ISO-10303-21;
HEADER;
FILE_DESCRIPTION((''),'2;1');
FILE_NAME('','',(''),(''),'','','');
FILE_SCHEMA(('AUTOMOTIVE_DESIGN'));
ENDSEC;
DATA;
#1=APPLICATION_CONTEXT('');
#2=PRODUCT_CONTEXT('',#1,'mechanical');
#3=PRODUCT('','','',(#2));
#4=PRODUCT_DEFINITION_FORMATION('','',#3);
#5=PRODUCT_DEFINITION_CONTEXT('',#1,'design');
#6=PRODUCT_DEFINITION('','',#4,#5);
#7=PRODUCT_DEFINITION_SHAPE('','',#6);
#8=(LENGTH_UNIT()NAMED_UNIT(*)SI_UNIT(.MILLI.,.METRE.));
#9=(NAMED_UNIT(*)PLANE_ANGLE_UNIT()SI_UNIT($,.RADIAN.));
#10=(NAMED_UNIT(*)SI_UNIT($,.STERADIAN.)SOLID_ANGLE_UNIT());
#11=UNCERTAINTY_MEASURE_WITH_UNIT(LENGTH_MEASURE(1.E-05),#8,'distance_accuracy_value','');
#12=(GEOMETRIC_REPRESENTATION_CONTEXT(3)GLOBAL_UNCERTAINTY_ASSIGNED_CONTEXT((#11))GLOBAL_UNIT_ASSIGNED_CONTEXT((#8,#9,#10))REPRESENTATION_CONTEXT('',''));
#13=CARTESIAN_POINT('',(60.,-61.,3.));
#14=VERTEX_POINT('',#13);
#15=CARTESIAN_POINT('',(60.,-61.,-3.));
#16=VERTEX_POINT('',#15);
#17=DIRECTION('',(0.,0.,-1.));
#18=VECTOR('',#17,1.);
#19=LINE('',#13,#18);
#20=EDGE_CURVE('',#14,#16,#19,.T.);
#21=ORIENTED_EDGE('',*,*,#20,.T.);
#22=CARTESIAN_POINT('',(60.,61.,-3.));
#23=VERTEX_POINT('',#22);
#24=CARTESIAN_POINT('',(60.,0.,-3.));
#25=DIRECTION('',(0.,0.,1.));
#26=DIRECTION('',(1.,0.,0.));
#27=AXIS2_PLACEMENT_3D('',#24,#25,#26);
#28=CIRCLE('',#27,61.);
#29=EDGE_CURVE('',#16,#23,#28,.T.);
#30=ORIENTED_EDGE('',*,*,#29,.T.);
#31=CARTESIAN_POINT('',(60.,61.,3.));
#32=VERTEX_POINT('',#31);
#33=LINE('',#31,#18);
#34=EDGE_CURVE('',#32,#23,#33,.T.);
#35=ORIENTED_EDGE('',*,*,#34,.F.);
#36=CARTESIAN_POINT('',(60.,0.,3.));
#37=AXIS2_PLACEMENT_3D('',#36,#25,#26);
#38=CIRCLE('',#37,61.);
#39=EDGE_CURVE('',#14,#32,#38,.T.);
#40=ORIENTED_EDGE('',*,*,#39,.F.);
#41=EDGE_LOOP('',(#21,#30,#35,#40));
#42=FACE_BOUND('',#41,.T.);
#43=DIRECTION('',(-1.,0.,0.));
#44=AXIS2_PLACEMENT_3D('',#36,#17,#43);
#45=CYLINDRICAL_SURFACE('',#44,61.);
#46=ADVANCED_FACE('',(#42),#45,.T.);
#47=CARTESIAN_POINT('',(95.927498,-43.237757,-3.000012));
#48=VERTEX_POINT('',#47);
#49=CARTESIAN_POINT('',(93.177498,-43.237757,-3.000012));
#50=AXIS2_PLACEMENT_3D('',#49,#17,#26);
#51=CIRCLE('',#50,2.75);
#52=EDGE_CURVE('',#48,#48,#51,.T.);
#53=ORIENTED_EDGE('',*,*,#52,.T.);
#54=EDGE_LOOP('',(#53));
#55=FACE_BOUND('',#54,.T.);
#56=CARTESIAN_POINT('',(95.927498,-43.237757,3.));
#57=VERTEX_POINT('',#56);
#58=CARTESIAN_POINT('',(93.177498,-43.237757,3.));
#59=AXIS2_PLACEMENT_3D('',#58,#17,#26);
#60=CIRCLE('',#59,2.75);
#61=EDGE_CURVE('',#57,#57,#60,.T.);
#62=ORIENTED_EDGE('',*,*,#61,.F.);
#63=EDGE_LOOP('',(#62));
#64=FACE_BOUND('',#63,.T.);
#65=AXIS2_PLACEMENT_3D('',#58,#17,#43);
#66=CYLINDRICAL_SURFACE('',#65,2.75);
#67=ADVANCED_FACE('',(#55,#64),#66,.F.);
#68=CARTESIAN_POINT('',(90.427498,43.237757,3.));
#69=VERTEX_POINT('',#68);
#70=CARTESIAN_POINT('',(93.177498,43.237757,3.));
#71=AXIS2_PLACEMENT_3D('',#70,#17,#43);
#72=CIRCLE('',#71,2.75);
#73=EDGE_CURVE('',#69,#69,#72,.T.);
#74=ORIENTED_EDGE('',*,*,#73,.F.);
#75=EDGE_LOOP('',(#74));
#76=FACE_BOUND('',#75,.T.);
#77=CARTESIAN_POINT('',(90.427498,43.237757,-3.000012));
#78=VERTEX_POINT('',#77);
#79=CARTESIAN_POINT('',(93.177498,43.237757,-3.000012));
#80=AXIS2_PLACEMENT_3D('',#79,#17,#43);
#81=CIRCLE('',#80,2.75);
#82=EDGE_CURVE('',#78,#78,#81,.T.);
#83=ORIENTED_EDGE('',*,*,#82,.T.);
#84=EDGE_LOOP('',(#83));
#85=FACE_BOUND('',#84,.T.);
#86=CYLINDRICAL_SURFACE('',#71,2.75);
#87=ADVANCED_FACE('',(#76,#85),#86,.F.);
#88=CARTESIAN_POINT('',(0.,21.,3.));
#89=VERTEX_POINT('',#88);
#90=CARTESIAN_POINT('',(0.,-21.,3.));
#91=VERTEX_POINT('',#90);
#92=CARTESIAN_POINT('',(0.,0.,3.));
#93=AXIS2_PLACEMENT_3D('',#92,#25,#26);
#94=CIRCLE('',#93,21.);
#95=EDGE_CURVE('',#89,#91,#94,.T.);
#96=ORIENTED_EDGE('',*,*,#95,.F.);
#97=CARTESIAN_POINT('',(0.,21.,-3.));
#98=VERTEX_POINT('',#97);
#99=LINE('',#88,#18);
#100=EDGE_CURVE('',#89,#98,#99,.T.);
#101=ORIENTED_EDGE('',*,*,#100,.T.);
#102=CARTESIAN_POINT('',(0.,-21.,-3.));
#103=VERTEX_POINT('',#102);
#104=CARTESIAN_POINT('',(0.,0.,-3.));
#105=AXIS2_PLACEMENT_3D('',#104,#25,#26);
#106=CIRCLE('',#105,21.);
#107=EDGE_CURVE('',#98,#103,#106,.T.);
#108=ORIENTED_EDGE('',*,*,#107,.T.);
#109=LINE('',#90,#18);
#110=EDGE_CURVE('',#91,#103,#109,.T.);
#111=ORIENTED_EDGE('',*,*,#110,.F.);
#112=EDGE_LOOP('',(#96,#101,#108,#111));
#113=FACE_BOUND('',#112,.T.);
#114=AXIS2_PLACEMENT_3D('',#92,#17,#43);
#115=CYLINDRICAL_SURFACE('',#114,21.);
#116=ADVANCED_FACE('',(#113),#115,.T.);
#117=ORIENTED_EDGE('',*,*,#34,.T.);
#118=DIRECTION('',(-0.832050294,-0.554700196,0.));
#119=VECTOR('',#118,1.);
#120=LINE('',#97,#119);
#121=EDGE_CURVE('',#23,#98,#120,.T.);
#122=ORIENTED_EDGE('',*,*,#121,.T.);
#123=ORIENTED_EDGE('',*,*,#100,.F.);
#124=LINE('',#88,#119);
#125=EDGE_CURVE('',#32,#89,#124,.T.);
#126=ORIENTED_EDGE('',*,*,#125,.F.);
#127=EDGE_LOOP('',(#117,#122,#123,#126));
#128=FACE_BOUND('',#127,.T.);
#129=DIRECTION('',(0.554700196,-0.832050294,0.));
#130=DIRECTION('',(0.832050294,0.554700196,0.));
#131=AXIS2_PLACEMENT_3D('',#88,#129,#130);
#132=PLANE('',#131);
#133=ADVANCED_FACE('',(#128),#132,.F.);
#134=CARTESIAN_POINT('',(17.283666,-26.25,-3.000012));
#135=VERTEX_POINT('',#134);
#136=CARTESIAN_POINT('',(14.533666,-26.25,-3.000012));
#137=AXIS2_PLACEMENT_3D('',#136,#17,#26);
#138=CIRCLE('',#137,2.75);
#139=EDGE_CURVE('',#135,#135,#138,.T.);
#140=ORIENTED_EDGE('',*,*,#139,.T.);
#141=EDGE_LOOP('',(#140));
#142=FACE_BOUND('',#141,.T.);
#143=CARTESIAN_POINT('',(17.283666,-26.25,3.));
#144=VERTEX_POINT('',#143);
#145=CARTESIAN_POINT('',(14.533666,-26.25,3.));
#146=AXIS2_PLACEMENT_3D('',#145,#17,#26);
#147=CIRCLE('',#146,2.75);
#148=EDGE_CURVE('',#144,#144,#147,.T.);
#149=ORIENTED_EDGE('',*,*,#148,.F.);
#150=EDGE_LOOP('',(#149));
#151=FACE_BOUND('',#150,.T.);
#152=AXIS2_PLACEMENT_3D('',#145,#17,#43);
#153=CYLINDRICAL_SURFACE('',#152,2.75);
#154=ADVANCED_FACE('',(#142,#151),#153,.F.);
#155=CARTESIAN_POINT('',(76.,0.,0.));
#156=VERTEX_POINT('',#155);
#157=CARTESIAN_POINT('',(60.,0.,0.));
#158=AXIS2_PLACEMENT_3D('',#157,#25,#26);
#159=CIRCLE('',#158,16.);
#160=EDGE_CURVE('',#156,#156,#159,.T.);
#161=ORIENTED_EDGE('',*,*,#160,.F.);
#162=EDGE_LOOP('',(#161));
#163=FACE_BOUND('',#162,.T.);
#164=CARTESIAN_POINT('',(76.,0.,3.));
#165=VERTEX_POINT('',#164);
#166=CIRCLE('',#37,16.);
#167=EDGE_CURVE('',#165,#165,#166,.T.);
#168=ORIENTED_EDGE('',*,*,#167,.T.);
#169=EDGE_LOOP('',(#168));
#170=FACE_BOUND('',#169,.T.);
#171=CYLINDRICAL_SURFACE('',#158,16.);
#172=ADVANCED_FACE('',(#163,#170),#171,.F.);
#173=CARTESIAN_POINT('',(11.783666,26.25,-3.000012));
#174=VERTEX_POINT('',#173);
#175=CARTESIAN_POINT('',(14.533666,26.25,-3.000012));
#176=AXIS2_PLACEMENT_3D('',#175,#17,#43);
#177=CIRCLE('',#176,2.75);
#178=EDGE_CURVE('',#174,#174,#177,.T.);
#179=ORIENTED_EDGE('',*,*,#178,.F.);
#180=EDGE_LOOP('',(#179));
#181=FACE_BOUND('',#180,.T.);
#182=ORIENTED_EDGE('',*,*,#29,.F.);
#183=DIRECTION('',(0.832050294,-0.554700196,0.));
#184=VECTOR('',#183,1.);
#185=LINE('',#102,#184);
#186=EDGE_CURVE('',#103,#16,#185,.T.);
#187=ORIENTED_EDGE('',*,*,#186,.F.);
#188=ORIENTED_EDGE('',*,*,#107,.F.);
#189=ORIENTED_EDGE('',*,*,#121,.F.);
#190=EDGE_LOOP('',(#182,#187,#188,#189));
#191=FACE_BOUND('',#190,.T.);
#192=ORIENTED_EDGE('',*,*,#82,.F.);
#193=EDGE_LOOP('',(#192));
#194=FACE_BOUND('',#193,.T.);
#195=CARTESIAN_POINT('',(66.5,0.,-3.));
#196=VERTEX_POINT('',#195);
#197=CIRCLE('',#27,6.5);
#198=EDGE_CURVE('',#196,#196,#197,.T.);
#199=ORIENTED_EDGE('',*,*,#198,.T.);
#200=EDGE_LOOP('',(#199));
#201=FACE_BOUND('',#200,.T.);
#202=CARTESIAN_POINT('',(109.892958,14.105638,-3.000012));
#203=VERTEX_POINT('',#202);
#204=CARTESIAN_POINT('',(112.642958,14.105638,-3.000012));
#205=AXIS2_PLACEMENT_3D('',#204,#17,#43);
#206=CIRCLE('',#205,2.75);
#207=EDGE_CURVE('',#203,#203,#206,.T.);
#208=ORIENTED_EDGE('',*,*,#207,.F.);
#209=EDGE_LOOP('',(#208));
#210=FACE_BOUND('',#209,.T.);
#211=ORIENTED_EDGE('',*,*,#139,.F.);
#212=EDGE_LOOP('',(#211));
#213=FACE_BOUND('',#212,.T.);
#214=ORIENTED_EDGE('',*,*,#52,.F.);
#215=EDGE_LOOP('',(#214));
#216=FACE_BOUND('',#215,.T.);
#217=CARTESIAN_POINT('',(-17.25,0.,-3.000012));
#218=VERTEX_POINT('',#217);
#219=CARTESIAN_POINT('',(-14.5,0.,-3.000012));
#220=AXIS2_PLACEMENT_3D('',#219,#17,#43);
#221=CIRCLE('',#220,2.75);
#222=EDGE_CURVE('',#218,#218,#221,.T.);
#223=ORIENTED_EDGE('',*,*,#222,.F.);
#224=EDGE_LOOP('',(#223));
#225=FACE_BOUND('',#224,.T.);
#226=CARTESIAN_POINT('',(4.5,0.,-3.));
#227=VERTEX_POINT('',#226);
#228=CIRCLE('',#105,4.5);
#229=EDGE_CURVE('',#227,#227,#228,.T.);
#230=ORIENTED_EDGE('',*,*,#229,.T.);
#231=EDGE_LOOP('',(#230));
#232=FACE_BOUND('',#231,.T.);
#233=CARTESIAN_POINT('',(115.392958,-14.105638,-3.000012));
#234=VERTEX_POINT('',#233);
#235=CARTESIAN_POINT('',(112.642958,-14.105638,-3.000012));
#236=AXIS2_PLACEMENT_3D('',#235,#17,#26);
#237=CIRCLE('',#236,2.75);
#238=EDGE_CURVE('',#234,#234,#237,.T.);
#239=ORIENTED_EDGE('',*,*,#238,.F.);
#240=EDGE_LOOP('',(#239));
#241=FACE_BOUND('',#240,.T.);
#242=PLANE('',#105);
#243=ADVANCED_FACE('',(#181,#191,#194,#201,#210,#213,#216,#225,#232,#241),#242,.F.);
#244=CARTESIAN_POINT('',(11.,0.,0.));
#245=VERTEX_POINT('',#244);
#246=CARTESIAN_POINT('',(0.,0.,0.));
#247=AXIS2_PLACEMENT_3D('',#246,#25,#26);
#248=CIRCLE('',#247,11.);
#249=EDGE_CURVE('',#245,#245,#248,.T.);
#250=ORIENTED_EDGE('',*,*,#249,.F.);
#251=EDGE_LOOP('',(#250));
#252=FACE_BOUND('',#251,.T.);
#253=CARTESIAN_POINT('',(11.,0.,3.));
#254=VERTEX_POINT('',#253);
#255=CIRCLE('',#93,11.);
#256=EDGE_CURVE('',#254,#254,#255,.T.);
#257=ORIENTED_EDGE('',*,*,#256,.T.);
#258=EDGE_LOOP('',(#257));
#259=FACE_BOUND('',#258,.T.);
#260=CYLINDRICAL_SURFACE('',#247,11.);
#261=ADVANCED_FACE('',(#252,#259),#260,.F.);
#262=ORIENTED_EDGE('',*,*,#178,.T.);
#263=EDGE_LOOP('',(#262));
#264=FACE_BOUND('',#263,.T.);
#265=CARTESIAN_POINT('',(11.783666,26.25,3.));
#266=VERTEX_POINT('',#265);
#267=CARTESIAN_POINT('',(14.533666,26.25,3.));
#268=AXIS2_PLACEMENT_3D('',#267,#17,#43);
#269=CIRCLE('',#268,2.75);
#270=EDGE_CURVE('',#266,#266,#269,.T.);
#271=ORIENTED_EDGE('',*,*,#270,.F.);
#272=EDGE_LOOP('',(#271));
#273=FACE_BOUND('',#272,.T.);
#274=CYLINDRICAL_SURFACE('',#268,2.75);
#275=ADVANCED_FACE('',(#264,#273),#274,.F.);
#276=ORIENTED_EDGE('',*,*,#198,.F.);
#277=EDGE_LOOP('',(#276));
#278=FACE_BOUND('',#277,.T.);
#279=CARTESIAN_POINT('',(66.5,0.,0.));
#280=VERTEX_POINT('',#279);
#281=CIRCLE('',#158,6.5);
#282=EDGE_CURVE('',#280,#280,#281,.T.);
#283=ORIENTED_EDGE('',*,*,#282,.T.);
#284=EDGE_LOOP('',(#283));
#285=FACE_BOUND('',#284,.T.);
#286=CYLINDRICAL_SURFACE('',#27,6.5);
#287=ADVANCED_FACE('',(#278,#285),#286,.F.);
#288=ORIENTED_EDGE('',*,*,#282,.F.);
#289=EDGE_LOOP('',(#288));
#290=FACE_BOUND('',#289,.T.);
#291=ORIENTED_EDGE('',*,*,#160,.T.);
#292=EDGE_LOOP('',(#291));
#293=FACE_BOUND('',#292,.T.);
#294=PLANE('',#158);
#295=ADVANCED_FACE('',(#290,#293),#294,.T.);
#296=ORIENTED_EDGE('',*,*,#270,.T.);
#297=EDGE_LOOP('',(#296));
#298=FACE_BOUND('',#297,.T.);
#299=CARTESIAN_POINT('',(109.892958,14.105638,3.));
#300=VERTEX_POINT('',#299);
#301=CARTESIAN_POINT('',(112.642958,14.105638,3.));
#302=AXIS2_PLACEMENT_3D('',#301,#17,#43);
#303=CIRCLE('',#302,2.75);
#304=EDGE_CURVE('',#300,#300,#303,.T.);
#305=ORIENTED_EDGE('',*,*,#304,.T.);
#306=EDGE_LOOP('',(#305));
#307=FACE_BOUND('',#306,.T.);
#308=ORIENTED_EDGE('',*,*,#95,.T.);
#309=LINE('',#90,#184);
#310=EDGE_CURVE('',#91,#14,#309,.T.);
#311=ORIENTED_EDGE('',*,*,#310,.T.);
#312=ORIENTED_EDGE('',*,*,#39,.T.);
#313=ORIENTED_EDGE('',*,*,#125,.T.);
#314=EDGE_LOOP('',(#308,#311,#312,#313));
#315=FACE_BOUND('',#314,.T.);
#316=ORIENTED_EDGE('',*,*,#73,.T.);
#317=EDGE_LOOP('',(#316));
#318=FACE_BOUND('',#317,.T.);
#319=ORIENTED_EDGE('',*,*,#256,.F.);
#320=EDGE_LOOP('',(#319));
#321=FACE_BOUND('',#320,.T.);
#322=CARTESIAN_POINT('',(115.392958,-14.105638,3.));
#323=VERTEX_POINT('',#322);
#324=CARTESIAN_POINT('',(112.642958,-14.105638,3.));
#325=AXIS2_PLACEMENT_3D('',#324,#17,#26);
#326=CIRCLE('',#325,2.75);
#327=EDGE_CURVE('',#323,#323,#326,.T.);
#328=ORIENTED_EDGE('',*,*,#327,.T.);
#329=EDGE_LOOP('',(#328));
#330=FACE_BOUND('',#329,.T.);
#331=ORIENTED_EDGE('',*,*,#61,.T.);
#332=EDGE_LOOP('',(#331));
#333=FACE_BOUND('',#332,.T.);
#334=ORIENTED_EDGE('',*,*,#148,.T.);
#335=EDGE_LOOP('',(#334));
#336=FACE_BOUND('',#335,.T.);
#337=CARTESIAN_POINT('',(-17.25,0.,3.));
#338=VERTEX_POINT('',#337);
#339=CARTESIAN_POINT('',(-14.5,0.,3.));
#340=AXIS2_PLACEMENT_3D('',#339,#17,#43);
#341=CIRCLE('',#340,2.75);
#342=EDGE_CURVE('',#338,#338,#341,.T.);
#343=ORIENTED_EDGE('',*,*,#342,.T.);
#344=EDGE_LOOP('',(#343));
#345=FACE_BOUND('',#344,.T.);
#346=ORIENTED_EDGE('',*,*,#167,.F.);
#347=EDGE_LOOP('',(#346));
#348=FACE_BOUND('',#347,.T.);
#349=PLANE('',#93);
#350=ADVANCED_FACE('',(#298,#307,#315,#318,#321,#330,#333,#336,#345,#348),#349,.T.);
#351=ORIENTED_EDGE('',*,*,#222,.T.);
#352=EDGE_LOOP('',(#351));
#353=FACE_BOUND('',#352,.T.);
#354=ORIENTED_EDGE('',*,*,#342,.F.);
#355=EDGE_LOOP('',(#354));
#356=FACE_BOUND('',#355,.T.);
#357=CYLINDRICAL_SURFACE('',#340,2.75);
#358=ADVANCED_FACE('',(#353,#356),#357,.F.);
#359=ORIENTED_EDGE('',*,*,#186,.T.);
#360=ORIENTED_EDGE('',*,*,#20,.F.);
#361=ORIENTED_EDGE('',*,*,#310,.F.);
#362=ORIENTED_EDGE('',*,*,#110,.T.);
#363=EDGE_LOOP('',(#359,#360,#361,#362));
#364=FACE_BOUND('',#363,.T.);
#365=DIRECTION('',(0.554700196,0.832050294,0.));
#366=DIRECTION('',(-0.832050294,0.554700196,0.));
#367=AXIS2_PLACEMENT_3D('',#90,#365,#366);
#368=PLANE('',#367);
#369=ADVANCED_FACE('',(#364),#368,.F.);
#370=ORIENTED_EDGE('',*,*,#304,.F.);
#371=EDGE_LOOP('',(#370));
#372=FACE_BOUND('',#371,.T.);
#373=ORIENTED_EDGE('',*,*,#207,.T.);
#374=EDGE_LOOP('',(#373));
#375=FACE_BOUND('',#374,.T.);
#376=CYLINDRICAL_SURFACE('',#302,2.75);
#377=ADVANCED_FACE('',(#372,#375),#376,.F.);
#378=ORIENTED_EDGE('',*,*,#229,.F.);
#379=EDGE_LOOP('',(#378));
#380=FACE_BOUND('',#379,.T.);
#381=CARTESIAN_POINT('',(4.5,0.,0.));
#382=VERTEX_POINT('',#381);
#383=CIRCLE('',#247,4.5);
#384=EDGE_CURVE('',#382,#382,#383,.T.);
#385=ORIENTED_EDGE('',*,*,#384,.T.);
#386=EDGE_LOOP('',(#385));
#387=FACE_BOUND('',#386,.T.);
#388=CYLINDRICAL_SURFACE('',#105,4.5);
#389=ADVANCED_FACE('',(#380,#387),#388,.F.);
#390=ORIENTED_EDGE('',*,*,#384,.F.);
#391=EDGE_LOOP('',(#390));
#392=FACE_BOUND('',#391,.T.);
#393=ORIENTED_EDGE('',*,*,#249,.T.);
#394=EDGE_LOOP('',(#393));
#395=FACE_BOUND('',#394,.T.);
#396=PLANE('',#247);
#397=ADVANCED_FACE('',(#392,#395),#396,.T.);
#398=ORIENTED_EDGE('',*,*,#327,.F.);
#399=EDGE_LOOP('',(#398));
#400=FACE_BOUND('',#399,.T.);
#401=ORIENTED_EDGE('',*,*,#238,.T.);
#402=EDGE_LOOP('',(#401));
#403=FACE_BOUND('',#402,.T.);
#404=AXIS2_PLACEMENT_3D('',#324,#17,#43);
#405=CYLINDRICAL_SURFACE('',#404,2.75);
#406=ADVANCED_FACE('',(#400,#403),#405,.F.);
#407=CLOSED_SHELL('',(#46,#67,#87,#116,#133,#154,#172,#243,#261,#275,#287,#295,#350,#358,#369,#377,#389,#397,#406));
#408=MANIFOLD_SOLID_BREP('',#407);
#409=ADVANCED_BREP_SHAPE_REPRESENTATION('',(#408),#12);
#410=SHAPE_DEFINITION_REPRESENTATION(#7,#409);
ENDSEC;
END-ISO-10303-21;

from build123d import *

# Parameters (mm, degrees)
BOSS_EXTRU_1_DEPTH           = 3
ESQUISSE2_R                  = 11
ESQUISSE2_R_2                = 16
ENL_V_MAT_EXTRU_1_DEPTH      = 3
ESQUISSE3_R                  = 4.5
ESQUISSE3_R_2                = 6.5
ENL_V_MAT_EXTRU_2_DEPTH      = 3
ENL_V_MAT_EXTRU_3_DEPTH      = 136.639227364
ENL_V_MAT_EXTRU_3_DEPTH_BACK = 136.639227364
ESQUISSE7_R                  = 2.75


with BuildPart() as part:
    # Esquisse1 → Boss.-Extru.1 (new, symmetric)
    with BuildSketch(Plane.XY):
        with BuildLine():
            Line((0, -21), (60, -61))
            ThreePointArc((60, -61), (121, 0), (60, 61))
            Line((60, 61), (0, 21))
            ThreePointArc((0, 21), (-21, 0), (0, -21))
        make_face()
    extrude(amount=BOSS_EXTRU_1_DEPTH, both=True)

    # Esquisse2 → Enlèv. mat.-Extru.1 (cut)
    with BuildSketch(Plane.XY.offset(3)):
        Circle(ESQUISSE2_R)
        with Locations((60, 0)):
            Circle(ESQUISSE2_R_2)
    extrude(amount=-ENL_V_MAT_EXTRU_1_DEPTH, mode=Mode.SUBTRACT)

    # Esquisse3 → Enlèv. mat.-Extru.2 (cut)
    with BuildSketch(Plane.XY):
        Circle(ESQUISSE3_R)
        with Locations((60, 0)):
            Circle(ESQUISSE3_R_2)
    extrude(amount=-ENL_V_MAT_EXTRU_2_DEPTH, mode=Mode.SUBTRACT)

    # Esquisse7 → Enlèv. mat.-Extru.3 (cut, two sides: drawn at the far end of the back side and taken through both)
    with BuildSketch(Plane(origin=(0, 0, -3), x_dir=(-1, 0, 0), z_dir=(0, 0, -1)).offset(-ENL_V_MAT_EXTRU_3_DEPTH_BACK)):
        with Locations((-93.177497881, 43.237757046)):
            Circle(ESQUISSE7_R)
        with Locations((-112.642957533, 14.105637958)):
            Circle(ESQUISSE7_R)
        with Locations((-93.177497881, -43.237757046)):
            Circle(ESQUISSE7_R)
        with Locations((-112.642957533, -14.105637958)):
            Circle(ESQUISSE7_R)
        with Locations((14.5, 0)):
            Circle(ESQUISSE7_R)
        with Locations((-14.533666301, 26.25)):
            Circle(ESQUISSE7_R)
        with Locations((-14.533666301, -26.25)):
            Circle(ESQUISSE7_R)
    extrude(amount=ENL_V_MAT_EXTRU_3_DEPTH + ENL_V_MAT_EXTRU_3_DEPTH_BACK, mode=Mode.SUBTRACT)


solid = part.part
